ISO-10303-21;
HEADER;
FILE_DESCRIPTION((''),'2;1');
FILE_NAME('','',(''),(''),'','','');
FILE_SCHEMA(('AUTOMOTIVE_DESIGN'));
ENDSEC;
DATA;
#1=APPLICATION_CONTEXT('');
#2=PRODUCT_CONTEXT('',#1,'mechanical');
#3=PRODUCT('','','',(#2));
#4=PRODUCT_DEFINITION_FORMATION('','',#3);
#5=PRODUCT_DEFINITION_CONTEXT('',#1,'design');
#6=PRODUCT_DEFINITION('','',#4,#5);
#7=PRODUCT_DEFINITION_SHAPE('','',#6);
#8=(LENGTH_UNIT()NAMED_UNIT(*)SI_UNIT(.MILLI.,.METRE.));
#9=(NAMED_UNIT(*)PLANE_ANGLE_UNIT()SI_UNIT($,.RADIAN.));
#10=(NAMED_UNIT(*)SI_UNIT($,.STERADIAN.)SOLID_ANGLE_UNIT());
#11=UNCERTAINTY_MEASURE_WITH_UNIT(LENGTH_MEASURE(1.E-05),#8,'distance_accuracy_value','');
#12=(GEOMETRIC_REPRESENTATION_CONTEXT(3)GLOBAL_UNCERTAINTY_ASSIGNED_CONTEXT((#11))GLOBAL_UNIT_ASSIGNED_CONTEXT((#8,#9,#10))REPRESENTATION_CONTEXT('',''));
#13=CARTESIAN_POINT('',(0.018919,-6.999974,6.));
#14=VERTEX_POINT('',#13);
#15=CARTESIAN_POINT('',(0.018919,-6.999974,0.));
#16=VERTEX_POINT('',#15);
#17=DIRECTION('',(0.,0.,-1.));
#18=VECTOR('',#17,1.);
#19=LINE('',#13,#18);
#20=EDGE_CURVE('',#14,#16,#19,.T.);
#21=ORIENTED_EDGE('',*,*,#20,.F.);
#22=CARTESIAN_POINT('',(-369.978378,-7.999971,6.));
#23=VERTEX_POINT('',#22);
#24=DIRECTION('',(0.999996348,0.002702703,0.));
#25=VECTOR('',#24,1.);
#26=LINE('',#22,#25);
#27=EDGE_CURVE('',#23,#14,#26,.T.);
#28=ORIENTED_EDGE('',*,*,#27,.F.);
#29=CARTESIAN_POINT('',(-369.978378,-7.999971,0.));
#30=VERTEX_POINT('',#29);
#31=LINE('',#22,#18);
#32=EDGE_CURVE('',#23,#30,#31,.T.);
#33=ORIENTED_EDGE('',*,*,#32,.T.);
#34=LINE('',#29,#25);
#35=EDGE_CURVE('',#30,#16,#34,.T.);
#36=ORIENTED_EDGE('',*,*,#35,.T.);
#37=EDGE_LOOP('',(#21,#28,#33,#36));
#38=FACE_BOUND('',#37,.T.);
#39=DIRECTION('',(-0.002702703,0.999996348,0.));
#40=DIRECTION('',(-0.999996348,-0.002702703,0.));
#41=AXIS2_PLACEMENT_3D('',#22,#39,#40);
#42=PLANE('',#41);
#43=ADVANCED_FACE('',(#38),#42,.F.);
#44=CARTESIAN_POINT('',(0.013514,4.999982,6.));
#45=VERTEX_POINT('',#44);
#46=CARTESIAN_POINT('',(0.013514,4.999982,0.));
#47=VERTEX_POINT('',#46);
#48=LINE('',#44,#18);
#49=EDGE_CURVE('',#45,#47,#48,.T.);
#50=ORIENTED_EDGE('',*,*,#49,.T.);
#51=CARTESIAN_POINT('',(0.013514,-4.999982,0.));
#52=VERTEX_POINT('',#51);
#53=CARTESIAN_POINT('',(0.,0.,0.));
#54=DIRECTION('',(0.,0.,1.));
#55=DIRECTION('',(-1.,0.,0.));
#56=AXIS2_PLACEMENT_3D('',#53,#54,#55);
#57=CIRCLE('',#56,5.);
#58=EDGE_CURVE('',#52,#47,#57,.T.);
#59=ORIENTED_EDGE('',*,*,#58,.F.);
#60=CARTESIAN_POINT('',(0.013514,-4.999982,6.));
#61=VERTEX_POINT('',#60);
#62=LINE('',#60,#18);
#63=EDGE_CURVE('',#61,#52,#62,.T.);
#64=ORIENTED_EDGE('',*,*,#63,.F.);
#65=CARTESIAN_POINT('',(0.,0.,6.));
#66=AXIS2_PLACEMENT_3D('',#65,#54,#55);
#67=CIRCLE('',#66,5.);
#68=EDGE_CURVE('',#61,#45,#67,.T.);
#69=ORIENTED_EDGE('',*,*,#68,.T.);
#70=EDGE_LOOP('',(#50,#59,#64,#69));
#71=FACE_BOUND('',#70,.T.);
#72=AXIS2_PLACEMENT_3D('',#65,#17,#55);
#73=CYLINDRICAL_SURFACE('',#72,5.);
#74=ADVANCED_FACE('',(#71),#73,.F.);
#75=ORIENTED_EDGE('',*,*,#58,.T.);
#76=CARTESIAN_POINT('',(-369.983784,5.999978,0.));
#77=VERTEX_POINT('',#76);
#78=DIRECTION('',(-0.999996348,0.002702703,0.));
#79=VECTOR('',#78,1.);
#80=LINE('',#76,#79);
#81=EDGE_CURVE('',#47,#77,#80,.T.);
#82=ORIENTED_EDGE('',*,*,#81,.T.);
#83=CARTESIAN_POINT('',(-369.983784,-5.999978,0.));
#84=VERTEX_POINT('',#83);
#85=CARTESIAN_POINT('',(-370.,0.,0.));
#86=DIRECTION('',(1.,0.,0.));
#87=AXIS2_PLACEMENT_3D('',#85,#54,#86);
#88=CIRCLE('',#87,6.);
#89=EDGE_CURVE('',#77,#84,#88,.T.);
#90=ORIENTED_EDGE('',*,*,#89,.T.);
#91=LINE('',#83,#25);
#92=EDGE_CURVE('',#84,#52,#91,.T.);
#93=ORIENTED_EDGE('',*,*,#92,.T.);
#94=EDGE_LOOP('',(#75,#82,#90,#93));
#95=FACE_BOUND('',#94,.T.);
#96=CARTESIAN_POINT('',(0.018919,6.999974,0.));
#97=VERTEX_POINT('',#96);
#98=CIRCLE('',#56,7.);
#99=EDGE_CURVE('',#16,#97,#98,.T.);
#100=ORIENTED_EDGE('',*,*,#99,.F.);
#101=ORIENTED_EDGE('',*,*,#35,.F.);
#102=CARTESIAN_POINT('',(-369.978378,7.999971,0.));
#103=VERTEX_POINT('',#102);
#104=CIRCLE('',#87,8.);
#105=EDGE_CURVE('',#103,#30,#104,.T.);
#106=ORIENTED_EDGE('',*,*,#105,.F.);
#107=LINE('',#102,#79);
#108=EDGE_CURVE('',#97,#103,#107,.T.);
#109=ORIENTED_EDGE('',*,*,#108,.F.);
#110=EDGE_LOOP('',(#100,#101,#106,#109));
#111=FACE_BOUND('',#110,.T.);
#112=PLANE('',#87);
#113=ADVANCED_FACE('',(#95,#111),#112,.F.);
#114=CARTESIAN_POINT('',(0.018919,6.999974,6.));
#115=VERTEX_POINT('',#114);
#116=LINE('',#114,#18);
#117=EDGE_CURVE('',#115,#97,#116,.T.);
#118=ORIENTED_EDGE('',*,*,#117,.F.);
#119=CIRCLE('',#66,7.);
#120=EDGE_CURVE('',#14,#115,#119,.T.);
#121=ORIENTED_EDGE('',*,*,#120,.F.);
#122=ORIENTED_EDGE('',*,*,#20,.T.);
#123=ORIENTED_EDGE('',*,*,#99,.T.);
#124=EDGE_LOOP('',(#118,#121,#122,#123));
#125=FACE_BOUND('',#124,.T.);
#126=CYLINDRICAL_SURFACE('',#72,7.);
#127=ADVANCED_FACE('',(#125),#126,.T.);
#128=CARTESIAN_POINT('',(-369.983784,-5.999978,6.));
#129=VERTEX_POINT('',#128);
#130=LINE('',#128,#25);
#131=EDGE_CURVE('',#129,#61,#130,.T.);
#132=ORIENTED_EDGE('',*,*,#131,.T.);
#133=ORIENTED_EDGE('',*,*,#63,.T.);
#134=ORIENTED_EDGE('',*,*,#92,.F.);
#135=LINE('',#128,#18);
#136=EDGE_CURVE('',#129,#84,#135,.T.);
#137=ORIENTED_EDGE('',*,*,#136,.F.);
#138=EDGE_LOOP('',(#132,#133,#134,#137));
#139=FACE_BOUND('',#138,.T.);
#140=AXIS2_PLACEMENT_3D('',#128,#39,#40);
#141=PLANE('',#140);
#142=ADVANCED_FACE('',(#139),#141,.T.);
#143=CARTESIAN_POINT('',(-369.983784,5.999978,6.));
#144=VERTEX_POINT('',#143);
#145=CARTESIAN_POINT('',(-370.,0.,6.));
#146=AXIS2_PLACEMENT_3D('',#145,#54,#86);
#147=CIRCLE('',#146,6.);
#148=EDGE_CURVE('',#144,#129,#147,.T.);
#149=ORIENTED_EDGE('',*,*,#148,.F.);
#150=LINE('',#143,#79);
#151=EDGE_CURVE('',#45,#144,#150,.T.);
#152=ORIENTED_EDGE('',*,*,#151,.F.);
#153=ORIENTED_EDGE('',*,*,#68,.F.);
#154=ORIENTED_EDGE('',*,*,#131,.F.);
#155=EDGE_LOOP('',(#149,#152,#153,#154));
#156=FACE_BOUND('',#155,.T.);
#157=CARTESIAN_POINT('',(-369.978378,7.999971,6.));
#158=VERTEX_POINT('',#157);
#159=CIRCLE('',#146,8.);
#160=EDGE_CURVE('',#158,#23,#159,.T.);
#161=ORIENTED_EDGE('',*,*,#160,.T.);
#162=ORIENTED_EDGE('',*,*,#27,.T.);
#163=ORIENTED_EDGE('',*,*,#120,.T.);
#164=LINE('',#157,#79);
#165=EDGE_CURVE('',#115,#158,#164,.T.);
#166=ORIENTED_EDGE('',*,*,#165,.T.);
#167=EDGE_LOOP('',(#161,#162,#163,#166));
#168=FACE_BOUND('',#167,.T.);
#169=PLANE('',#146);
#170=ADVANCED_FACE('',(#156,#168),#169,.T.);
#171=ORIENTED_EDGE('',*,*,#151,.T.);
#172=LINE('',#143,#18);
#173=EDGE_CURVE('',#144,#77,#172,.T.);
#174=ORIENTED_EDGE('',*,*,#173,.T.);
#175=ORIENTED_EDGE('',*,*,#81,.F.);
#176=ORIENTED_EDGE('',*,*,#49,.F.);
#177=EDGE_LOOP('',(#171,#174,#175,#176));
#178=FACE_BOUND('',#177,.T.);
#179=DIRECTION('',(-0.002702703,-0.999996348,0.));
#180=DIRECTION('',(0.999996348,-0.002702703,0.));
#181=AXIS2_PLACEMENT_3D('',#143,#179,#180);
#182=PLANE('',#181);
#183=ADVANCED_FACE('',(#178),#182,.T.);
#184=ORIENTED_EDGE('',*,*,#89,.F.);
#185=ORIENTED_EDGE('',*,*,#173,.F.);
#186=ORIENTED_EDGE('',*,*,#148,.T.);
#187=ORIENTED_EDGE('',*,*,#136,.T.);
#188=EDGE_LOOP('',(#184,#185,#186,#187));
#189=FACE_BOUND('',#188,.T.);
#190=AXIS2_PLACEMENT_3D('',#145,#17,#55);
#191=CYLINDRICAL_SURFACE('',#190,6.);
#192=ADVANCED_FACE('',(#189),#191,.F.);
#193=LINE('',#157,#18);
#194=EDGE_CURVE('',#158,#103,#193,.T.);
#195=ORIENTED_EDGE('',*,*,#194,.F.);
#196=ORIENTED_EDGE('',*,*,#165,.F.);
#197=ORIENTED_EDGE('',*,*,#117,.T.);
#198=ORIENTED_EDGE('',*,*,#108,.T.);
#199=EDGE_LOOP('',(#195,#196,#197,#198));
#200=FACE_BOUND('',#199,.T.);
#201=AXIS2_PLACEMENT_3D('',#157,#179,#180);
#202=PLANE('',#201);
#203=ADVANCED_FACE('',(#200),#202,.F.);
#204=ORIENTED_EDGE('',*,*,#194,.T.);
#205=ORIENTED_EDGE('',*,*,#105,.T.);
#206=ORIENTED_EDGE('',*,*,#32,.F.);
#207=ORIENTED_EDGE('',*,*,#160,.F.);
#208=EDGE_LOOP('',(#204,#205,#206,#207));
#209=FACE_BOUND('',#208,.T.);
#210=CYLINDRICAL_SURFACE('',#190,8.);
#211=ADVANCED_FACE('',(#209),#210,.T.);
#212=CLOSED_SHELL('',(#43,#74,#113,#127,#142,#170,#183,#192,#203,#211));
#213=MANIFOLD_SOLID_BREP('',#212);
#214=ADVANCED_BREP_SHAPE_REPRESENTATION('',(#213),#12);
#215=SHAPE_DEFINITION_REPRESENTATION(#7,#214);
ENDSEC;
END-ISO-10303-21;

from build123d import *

# Parameters (mm, degrees)
RESSALTO_EXTRUS_O1_DEPTH = 6


with BuildPart() as part:
    # Esboço1 → Ressalto-extrusão1 (new body)
    with BuildSketch(Plane.XY):
        with BuildLine():
            Line((-369.978378378, 7.999970782), (0.018918919, 6.999974434))
            ThreePointArc((0.018918919, 6.999974434), (7, 0), (0.018918919, -6.999974434))
            Line((0.018918919, -6.999974434), (-369.978378378, -7.999970782))
            ThreePointArc((-369.978378378, -7.999970782), (-378, 0), (-369.978378378, 7.999970782))
        make_face()
        with BuildLine():
            Line((-369.983783784, 5.999978086), (0.013513514, 4.999981738))
            ThreePointArc((0.013513514, 4.999981738), (5, 0), (0.013513514, -4.999981738))
            Line((0.013513514, -4.999981738), (-369.983783784, -5.999978086))
            ThreePointArc((-369.983783784, -5.999978086), (-376, 0), (-369.983783784, 5.999978086))
        make_face(mode=Mode.SUBTRACT)
    extrude(amount=RESSALTO_EXTRUS_O1_DEPTH)


solid = part.part
